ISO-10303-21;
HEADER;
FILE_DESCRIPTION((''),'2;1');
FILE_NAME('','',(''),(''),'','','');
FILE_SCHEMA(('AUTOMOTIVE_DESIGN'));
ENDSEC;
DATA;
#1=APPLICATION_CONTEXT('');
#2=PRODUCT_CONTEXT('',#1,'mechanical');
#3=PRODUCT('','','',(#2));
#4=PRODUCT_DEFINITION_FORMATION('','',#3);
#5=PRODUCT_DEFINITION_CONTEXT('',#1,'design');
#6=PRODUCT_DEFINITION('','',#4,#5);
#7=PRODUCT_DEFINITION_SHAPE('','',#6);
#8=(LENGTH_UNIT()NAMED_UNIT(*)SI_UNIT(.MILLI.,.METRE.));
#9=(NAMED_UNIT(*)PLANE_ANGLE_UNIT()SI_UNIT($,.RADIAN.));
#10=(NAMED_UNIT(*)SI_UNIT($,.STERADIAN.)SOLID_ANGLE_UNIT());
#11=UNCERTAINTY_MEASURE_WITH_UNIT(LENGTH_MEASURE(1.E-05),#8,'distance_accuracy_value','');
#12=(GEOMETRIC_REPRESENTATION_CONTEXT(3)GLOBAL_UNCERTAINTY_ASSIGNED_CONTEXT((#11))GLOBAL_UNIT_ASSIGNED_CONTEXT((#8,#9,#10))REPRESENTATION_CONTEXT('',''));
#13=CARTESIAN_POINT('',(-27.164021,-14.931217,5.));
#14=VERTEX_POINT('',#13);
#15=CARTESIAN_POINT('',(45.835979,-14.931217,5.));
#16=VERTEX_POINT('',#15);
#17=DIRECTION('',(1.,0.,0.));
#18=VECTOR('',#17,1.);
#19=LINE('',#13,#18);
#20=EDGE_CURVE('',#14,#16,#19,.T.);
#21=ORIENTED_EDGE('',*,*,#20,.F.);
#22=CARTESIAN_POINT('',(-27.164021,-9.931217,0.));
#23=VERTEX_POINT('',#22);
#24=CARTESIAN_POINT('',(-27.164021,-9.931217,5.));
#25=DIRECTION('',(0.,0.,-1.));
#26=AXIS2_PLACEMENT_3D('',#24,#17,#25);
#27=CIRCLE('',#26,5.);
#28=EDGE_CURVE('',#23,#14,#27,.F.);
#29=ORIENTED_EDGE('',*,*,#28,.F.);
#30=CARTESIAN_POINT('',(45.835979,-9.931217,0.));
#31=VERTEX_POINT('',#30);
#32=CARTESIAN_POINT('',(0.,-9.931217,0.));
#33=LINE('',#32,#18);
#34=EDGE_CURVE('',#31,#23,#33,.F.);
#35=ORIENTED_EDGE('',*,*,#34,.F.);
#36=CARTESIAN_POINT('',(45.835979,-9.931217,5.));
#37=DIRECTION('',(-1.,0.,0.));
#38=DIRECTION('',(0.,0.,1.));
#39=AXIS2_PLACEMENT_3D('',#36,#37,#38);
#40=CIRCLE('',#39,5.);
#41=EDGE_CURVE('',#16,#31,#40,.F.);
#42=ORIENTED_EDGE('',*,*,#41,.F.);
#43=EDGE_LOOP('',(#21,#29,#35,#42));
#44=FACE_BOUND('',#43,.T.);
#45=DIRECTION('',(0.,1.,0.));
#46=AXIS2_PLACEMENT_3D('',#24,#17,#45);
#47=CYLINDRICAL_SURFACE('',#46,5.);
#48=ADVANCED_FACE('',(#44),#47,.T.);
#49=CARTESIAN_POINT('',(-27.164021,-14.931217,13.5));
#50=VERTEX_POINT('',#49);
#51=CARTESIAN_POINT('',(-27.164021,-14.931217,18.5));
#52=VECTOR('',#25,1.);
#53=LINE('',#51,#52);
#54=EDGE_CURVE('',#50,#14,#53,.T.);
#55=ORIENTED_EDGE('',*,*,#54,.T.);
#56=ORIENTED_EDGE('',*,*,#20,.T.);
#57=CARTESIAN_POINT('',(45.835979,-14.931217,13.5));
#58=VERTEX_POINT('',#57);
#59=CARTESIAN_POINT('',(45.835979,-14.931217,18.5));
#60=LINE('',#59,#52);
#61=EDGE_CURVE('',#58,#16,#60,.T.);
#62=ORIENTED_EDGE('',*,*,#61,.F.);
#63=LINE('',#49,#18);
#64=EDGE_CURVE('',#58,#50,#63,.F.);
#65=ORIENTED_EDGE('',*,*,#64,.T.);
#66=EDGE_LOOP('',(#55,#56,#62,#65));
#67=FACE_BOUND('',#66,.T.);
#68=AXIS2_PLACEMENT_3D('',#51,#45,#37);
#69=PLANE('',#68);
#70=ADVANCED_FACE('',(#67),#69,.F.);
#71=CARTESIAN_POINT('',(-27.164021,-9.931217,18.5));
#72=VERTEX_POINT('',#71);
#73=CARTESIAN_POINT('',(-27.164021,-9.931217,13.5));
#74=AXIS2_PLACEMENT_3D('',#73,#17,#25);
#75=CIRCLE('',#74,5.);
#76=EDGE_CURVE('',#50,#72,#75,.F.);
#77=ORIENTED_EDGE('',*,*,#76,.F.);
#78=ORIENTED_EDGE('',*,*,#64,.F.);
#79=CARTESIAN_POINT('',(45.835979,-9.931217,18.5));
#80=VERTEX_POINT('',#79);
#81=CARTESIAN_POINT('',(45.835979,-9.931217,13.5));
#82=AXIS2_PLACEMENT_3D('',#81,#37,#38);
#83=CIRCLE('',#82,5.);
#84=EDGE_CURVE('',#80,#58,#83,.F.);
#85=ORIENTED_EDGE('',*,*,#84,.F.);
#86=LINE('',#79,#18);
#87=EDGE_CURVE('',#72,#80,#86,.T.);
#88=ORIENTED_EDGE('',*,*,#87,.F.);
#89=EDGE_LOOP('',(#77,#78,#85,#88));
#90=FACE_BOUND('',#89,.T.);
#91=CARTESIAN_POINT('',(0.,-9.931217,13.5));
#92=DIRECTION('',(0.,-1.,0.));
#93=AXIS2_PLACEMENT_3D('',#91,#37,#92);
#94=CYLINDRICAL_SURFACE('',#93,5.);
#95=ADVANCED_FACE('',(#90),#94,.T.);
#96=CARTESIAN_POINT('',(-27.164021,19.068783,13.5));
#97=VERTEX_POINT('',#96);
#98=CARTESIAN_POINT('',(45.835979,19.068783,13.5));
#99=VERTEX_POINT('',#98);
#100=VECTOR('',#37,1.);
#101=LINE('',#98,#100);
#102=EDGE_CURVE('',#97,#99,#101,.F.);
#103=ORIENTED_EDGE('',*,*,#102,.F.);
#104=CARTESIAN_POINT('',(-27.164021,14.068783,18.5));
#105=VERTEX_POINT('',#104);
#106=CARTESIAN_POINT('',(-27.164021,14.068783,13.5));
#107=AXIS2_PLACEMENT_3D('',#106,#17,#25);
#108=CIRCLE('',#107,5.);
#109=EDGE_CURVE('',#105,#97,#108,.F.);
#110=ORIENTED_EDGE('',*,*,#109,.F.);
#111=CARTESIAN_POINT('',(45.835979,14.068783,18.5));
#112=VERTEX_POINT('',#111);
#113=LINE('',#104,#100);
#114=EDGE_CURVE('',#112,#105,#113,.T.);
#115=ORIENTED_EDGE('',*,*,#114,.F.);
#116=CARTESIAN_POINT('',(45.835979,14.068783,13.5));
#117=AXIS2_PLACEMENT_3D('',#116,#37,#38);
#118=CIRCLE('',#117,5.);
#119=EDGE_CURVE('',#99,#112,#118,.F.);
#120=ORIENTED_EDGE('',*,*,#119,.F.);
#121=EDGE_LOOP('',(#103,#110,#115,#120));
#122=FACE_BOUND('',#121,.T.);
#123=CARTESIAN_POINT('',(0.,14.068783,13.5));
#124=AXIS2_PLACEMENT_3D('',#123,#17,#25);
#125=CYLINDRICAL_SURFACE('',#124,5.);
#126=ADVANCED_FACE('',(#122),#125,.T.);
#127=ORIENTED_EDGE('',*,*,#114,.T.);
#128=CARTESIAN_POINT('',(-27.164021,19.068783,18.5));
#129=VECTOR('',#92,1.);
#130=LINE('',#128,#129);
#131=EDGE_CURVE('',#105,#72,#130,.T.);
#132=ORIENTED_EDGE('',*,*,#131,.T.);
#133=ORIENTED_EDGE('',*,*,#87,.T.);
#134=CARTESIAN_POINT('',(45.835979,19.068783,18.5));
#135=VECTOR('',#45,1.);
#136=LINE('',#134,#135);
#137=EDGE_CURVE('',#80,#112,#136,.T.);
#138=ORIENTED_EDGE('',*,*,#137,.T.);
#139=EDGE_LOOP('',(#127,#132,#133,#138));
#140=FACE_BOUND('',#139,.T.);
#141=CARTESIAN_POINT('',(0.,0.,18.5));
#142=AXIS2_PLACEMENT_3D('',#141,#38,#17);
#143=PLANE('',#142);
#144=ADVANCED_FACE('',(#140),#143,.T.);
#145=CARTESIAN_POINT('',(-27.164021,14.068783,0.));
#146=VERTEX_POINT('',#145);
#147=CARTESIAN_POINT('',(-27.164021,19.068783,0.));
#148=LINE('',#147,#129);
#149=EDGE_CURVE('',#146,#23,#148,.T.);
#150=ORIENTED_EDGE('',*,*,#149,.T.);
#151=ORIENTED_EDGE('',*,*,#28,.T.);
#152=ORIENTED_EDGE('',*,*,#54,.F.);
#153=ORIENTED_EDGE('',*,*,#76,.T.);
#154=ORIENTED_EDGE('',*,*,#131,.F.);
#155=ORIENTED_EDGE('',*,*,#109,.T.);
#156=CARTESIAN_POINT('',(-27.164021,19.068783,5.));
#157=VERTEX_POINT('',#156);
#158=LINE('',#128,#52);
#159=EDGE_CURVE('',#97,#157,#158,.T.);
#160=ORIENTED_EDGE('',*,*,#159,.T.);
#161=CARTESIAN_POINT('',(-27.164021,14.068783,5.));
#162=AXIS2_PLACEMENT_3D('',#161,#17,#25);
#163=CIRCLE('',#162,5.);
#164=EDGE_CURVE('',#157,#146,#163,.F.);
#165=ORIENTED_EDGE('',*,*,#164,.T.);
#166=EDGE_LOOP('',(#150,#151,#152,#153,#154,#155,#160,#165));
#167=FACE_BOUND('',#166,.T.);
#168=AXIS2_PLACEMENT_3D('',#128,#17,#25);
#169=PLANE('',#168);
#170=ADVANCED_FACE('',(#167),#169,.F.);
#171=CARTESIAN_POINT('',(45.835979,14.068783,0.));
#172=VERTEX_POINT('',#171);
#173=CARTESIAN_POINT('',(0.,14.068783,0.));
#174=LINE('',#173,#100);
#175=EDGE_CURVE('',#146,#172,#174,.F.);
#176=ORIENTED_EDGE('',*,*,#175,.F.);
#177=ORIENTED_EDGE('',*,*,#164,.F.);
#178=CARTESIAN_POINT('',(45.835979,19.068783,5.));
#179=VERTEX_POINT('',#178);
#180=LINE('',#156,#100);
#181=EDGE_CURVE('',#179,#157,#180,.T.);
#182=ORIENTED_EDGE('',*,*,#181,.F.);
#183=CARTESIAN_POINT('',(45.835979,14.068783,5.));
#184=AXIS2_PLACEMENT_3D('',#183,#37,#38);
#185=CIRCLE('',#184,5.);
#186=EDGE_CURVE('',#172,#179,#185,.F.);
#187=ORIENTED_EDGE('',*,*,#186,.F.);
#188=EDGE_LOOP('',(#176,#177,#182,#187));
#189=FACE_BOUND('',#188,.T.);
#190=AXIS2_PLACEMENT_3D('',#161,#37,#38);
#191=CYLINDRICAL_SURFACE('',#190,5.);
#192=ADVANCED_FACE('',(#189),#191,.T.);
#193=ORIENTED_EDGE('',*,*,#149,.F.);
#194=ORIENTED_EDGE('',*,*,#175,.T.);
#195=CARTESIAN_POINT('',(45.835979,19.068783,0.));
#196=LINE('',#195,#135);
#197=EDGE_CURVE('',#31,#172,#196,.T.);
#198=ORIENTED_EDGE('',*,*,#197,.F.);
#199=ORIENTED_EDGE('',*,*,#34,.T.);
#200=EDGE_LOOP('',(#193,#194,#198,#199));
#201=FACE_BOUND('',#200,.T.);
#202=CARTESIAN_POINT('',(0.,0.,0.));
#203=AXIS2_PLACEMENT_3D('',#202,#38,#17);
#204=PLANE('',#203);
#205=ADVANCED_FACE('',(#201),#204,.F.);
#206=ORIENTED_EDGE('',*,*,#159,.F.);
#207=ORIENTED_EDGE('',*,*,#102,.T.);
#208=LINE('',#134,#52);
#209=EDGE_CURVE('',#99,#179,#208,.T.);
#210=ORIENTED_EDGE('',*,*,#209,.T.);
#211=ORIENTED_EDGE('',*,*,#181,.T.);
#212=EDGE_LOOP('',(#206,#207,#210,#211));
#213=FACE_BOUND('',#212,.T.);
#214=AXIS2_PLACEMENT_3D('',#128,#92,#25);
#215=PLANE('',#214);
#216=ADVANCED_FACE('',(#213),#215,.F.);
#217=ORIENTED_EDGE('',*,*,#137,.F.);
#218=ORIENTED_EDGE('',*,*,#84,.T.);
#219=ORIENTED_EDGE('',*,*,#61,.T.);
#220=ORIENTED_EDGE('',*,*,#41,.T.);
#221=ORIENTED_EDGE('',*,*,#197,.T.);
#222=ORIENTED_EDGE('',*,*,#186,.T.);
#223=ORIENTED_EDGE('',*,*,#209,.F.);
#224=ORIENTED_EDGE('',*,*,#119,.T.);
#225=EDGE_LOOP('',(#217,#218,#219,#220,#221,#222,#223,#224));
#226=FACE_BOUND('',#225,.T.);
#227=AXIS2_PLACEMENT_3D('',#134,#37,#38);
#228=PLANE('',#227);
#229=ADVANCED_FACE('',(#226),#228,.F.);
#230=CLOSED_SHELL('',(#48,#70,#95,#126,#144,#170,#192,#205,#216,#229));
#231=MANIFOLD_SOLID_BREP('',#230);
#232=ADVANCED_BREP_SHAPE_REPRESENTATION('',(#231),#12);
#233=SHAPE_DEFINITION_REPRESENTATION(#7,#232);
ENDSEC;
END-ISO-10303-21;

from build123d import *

# Parameters (mm, degrees)
SKETCH1_W           = 73
SKETCH1_H           = 34
BOSS_EXTRUDE1_DEPTH = 18.5
FILLET1_R           = 5


with BuildPart() as part:
    # Sketch1 → Boss-Extrude1 (new body)
    with BuildSketch(Plane.XY):
        with Locations((9.335978836, 2.068783069)):
            Rectangle(SKETCH1_W, SKETCH1_H)
    extrude(amount=BOSS_EXTRUDE1_DEPTH)

    # Fillet1
    fillet1_edges = [part.edges().sort_by_distance(p)[0] for p in [
        (9.335978836, 19.068783069, 18.5),
        (9.335978836, 19.068783069, 0),
        (9.335978836, -14.931216931, 0),
        (9.335978836, -14.931216931, 18.5),
    ]]
    fillet(fillet1_edges, radius=FILLET1_R)


solid = part.part
